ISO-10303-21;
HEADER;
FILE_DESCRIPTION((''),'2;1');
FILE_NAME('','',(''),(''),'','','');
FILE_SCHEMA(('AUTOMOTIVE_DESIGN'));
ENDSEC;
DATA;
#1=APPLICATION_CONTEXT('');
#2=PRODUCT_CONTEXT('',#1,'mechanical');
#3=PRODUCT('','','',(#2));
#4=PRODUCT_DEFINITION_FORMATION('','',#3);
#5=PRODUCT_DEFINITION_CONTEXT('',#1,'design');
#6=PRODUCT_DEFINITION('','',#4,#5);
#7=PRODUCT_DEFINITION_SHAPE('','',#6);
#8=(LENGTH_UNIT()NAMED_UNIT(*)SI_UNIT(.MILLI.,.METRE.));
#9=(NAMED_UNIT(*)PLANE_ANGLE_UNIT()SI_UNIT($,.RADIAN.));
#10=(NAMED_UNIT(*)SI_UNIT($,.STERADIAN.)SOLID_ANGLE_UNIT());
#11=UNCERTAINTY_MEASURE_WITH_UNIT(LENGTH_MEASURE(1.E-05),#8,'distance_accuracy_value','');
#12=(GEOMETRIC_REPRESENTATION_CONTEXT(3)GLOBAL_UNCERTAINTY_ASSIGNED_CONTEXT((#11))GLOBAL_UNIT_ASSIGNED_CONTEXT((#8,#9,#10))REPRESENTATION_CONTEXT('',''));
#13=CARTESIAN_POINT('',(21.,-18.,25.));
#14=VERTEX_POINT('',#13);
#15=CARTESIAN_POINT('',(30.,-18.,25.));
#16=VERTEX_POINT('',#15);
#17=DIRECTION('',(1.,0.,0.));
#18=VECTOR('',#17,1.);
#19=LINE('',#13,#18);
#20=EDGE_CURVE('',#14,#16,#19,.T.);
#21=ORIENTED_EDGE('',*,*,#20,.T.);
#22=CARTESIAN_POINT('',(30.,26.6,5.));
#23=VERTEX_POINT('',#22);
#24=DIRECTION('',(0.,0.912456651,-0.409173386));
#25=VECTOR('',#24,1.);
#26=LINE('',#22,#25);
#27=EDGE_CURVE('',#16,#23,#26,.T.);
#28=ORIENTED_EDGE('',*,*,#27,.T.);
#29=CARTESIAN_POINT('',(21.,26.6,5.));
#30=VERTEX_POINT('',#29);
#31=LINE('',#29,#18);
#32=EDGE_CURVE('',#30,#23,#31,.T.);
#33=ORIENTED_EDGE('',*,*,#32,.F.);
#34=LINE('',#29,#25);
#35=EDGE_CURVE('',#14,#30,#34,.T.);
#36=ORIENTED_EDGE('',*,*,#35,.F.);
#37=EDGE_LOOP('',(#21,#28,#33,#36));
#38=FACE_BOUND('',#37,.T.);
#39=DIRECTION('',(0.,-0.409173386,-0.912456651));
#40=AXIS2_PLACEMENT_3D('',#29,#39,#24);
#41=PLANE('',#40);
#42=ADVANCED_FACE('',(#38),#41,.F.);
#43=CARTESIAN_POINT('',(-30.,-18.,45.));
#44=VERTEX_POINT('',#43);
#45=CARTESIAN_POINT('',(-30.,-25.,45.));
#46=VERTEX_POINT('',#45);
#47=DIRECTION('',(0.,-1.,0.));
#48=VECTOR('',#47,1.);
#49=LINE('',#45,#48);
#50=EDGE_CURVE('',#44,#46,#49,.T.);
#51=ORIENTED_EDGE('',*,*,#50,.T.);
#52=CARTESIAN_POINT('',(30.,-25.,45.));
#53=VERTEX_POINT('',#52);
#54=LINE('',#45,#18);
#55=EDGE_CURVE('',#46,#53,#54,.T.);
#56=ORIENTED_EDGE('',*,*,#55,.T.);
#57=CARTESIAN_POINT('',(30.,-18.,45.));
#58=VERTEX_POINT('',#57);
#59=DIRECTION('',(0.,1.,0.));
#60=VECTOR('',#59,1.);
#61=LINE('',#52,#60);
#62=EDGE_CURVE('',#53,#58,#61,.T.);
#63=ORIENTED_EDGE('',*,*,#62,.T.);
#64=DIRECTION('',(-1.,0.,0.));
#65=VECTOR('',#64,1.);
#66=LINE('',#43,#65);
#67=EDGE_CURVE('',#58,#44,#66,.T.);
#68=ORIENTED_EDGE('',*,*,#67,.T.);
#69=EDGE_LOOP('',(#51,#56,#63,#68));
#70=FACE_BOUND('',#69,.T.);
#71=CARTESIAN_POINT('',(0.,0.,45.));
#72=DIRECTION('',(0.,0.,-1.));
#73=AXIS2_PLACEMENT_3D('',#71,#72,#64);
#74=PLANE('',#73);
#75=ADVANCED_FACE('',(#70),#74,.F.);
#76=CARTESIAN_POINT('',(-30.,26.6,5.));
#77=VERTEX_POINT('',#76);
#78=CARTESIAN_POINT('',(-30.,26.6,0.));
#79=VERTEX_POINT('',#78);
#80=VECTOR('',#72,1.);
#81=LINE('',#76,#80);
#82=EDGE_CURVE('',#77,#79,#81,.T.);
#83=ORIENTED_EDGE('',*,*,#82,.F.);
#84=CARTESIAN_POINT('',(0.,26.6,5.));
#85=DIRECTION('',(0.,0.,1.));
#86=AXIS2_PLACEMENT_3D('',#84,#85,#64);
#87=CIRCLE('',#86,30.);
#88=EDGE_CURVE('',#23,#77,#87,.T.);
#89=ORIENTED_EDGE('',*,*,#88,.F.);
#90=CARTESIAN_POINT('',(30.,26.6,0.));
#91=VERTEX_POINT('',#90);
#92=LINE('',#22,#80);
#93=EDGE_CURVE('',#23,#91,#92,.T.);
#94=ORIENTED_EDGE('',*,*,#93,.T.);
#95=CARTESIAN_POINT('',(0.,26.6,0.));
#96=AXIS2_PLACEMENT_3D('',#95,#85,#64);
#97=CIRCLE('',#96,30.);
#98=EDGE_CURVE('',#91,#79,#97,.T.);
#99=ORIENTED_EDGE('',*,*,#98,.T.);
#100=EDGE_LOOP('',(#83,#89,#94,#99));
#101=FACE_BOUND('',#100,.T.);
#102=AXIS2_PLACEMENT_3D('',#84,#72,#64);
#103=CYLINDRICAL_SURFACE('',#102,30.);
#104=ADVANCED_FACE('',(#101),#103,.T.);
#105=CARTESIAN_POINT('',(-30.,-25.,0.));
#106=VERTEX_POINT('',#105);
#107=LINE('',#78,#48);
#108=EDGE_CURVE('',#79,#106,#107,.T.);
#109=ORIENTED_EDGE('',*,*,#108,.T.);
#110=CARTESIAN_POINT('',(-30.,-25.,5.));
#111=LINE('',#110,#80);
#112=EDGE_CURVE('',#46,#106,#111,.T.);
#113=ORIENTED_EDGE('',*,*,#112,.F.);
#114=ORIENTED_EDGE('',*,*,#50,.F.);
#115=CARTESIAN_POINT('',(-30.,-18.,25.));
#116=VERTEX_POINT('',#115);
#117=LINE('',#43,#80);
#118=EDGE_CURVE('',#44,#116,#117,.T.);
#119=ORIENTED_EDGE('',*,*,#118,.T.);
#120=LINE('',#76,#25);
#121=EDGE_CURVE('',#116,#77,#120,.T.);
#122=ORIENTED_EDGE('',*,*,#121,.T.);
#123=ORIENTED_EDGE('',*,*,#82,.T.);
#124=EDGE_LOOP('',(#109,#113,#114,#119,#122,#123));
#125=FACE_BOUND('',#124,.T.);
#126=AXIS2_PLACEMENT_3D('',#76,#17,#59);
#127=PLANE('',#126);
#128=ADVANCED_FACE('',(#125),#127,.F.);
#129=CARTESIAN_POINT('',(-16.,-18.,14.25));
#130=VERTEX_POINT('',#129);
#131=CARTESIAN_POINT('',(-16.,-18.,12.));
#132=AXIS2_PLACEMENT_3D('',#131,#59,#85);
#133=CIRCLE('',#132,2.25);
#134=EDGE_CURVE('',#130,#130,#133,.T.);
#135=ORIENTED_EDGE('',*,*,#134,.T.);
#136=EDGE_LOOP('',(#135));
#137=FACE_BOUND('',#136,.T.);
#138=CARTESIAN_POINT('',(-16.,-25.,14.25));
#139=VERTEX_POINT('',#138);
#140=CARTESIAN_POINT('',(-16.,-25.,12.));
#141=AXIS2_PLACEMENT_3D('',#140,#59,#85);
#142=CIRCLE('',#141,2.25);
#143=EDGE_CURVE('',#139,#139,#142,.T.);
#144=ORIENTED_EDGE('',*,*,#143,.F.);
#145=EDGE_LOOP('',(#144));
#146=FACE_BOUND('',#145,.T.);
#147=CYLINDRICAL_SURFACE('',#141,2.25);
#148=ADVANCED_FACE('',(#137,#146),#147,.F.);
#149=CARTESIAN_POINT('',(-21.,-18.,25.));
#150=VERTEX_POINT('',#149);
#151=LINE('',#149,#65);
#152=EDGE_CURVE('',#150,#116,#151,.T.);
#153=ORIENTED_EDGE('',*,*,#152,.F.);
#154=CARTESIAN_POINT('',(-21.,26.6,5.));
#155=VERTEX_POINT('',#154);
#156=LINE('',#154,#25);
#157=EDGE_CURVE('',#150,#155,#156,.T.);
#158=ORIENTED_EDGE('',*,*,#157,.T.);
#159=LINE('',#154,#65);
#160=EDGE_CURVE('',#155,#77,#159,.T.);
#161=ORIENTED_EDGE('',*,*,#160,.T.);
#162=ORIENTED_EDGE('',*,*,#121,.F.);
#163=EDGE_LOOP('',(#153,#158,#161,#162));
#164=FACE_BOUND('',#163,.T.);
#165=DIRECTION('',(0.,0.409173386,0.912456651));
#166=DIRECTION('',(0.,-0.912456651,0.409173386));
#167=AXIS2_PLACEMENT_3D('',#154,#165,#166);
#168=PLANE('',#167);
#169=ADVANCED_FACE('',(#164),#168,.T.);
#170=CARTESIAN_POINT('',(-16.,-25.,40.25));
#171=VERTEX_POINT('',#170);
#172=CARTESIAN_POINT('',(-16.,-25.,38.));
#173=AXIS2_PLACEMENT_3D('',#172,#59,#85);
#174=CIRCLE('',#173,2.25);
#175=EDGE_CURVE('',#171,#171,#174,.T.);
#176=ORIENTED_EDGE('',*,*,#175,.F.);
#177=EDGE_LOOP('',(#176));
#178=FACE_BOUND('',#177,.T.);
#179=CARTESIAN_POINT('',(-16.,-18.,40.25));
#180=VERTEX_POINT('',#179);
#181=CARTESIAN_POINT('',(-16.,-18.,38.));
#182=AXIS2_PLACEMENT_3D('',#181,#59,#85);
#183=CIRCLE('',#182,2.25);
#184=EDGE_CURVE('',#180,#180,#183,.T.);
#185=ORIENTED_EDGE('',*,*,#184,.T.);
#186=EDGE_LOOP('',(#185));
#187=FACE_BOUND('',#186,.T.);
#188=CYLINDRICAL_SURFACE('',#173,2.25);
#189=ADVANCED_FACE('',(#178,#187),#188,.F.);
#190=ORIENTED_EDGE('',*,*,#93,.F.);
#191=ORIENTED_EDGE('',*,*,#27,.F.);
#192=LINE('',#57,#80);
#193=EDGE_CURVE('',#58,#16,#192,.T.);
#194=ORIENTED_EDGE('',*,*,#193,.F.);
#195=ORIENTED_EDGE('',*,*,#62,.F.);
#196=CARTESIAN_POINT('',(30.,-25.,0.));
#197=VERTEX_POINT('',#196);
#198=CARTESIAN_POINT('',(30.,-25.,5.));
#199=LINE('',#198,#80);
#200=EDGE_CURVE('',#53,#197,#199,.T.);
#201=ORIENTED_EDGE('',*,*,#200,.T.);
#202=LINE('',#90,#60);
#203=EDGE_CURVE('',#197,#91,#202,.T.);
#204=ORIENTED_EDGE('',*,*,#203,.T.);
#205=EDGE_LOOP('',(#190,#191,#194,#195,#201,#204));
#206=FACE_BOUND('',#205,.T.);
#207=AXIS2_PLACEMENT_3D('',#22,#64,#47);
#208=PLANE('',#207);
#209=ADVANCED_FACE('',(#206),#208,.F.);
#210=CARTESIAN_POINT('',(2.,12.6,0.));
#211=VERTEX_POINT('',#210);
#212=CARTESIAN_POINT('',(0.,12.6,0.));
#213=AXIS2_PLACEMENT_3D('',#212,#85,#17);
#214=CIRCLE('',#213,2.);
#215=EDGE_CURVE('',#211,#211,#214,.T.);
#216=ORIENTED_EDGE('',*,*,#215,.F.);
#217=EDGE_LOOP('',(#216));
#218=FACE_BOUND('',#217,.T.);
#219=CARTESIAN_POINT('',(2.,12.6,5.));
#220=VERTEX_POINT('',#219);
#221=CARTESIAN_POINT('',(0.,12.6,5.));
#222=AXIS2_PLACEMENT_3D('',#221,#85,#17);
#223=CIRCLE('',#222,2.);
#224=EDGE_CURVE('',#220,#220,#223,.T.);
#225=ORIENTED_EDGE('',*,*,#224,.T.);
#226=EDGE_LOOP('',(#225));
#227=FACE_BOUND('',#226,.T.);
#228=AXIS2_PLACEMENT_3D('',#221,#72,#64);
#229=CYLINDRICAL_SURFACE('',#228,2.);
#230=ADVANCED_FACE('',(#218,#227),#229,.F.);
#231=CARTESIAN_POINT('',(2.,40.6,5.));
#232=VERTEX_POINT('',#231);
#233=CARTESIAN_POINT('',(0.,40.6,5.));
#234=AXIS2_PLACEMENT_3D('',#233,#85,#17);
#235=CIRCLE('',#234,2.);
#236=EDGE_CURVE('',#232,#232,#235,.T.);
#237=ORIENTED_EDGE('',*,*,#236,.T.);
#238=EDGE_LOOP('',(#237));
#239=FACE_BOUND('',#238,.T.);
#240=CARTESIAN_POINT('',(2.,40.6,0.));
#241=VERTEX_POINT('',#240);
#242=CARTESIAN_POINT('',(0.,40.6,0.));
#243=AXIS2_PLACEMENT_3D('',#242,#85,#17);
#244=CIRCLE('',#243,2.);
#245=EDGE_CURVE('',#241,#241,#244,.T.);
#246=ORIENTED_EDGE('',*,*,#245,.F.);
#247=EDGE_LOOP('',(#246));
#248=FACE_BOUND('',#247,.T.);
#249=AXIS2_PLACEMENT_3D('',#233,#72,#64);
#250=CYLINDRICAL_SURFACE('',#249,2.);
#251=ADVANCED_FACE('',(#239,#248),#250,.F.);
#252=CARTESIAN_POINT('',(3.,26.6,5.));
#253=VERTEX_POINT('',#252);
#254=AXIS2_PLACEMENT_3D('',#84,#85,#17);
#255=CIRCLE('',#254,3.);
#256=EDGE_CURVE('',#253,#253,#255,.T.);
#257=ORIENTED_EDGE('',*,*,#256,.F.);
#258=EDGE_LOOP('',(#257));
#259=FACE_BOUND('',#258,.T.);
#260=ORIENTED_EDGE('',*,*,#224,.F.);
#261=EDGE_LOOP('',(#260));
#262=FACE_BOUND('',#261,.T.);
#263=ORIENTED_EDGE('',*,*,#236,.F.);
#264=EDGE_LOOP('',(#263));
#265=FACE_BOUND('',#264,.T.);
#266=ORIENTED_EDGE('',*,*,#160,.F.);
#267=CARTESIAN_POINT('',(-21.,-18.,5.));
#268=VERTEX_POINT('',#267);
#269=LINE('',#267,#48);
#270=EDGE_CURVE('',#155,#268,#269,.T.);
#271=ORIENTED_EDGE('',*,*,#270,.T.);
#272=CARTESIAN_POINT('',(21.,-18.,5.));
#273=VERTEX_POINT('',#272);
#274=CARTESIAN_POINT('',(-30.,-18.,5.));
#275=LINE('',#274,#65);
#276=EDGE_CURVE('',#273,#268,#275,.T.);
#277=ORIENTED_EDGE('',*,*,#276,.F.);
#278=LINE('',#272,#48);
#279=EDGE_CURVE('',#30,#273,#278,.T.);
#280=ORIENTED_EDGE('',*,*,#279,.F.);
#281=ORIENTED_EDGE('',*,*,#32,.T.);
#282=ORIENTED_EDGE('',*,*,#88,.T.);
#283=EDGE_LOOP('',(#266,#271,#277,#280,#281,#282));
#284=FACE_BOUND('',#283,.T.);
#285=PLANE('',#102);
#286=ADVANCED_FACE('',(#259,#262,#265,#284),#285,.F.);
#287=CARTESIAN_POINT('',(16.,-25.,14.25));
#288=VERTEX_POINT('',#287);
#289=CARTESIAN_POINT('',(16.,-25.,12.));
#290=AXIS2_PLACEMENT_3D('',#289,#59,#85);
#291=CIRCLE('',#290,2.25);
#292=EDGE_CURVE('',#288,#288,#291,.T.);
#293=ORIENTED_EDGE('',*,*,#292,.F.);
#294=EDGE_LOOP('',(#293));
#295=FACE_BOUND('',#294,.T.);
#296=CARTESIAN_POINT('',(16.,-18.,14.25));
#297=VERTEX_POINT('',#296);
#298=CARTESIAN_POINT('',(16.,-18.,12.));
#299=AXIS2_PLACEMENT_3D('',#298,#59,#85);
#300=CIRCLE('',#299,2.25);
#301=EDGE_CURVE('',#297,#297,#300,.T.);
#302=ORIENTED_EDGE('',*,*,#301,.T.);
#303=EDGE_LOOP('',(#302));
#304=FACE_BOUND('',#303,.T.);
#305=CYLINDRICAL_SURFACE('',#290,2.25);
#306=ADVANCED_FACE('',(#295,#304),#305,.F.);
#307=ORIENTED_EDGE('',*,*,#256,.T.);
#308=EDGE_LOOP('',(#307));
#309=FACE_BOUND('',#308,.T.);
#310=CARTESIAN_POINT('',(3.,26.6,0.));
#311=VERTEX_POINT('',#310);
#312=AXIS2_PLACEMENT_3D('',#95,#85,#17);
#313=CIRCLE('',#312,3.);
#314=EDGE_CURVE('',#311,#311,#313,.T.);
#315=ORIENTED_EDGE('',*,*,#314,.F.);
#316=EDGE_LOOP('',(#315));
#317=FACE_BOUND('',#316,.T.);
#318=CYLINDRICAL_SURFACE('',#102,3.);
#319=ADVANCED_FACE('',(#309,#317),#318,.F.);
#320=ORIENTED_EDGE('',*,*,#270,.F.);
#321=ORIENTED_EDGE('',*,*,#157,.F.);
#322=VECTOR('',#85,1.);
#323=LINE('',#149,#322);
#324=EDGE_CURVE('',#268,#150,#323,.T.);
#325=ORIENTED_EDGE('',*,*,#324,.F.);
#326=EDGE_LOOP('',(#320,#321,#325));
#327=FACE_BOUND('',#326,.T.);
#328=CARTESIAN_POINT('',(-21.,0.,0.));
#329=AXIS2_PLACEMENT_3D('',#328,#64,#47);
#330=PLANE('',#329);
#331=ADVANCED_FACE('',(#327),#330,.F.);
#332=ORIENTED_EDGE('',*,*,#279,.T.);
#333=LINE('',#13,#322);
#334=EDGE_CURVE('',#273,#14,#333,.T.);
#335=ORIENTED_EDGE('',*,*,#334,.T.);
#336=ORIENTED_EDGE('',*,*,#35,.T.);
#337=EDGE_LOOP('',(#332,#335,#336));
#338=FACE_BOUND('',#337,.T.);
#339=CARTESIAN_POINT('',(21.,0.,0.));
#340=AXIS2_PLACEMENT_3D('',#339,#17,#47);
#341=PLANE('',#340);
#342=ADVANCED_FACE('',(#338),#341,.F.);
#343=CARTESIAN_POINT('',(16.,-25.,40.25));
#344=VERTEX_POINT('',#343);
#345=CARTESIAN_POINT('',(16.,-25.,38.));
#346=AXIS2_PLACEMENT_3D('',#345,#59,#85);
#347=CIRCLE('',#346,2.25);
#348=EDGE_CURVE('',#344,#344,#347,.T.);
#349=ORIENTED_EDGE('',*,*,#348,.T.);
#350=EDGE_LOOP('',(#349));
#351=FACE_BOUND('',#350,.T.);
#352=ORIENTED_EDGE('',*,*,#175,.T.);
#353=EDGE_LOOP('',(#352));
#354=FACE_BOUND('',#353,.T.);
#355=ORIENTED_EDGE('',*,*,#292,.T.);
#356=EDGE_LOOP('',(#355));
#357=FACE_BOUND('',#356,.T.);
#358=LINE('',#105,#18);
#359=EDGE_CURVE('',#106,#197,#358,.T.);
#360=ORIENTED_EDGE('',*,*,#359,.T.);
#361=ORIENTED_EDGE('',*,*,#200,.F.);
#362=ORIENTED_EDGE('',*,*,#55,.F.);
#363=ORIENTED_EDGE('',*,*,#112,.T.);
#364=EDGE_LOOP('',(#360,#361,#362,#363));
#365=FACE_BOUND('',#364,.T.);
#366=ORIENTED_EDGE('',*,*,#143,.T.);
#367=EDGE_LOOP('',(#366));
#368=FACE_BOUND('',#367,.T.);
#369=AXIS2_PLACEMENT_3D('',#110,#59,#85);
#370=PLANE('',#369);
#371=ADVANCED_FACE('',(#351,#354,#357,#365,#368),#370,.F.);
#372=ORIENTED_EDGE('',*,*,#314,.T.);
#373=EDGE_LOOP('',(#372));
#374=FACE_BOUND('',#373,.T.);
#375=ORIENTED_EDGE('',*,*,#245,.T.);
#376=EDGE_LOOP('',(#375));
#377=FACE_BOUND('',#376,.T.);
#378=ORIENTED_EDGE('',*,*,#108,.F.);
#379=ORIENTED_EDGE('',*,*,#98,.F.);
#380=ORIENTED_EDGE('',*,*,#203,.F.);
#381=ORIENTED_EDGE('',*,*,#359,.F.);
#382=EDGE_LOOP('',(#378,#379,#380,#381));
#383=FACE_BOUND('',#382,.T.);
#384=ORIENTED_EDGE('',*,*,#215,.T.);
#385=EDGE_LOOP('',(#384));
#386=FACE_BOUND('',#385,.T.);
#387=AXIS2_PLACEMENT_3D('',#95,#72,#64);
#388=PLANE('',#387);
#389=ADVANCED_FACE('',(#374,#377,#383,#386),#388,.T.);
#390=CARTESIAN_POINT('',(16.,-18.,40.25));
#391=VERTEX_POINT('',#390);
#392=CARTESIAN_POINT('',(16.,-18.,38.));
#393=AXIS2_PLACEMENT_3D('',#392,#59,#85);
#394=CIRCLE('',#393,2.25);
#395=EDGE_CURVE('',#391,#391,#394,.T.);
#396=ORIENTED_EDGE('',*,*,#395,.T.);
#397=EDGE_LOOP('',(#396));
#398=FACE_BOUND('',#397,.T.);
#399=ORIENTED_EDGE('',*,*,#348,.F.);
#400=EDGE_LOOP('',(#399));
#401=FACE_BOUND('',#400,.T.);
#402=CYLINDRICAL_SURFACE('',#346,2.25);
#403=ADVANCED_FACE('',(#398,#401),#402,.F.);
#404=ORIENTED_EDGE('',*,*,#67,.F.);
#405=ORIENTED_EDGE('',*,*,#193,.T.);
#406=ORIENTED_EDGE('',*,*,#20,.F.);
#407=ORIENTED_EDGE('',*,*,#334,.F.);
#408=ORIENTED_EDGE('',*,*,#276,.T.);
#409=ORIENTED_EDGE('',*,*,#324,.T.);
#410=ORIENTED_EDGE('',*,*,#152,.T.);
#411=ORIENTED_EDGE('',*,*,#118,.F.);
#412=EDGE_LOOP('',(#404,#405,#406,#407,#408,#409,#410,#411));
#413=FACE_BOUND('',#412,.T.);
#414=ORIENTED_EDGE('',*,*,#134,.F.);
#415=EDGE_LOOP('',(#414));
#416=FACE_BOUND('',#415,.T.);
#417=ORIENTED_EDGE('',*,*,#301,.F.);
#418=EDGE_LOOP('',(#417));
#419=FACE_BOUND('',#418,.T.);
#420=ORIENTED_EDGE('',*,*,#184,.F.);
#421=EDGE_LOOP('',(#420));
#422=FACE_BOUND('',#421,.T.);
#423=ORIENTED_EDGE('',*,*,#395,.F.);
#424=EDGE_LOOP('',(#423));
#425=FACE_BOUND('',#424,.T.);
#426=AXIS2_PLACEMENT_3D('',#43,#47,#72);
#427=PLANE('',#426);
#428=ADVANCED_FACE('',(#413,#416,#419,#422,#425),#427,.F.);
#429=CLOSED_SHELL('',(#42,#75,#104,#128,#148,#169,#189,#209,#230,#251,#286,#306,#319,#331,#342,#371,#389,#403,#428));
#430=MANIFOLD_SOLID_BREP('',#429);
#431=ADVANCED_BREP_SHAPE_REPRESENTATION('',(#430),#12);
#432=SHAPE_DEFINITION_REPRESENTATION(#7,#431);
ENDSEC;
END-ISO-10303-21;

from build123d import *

# Parameters (mm, degrees)
SKETCH1_R           = 3
SKETCH1_R_2         = 2
BOSS_EXTRUDE1_DEPTH = 5
SKETCH2_W           = 60
SKETCH2_H           = 7
BOSS_EXTRUDE2_DEPTH = 40
BOSS_EXTRUDE3_DEPTH = 9
SKETCH4_R           = 2.25
CUT_EXTRUDE1_DEPTH  = 8


with BuildPart() as part:
    # Sketch1 → Boss-Extrude1 (new body)
    with BuildSketch(Plane.XY):
        with BuildLine():
            Line((-30, 26.6), (-30, -25))
            Line((-30, -25), (30, -25))
            Line((30, -25), (30, 26.6))
            ThreePointArc((30, 26.6), (0, 56.6), (-30, 26.6))
        make_face()
        with Locations((0, 26.6)):
            Circle(SKETCH1_R, mode=Mode.SUBTRACT)
        with Locations((0, 40.6)):
            Circle(SKETCH1_R_2, mode=Mode.SUBTRACT)
        with Locations((0, 12.6)):
            Circle(SKETCH1_R_2, mode=Mode.SUBTRACT)
    extrude(amount=BOSS_EXTRUDE1_DEPTH)

    # Sketch2 → Boss-Extrude2 (add)
    with BuildSketch(Plane.XY.offset(5)):
        with Locations((0, -21.5)):
            Rectangle(SKETCH2_W, SKETCH2_H)
    extrude(amount=BOSS_EXTRUDE2_DEPTH)

    # Sketch3 → Boss-Extrude3 (add)
    with BuildSketch(Plane.ZY.offset(30)):
        Polygon((5, 26.6), (25, -18), (5, -18), align=None)
    boss_extrude3 = extrude(amount=-BOSS_EXTRUDE3_DEPTH)

    # Mirror1: Boss-Extrude3 across plane
    add(boss_extrude3.mirror(Plane(origin=(0, 0, 0), x_dir=(0, 0, 1), z_dir=(1, 0, 0))))

    # Sketch4 → Cut-Extrude1 (cut, through all)
    with BuildSketch(Plane(origin=(0, -18, 0), x_dir=(1, 0, 0), z_dir=(0, 1, 0))):
        with Locations(Location((16, -38, 0), (0, 0, 270))):  # turned: the seam where the file's is
            Circle(SKETCH4_R)
        with Locations(Location((-16, -38, 0), (0, 0, 270))):  # turned: the seam where the file's is
            Circle(SKETCH4_R)
        with Locations(Location((-16, -12, 0), (0, 0, 270))):  # turned: the seam where the file's is
            Circle(SKETCH4_R)
        with Locations(Location((16, -12, 0), (0, 0, 270))):  # turned: the seam where the file's is
            Circle(SKETCH4_R)
    extrude(amount=-CUT_EXTRUDE1_DEPTH, mode=Mode.SUBTRACT)


solid = part.part
